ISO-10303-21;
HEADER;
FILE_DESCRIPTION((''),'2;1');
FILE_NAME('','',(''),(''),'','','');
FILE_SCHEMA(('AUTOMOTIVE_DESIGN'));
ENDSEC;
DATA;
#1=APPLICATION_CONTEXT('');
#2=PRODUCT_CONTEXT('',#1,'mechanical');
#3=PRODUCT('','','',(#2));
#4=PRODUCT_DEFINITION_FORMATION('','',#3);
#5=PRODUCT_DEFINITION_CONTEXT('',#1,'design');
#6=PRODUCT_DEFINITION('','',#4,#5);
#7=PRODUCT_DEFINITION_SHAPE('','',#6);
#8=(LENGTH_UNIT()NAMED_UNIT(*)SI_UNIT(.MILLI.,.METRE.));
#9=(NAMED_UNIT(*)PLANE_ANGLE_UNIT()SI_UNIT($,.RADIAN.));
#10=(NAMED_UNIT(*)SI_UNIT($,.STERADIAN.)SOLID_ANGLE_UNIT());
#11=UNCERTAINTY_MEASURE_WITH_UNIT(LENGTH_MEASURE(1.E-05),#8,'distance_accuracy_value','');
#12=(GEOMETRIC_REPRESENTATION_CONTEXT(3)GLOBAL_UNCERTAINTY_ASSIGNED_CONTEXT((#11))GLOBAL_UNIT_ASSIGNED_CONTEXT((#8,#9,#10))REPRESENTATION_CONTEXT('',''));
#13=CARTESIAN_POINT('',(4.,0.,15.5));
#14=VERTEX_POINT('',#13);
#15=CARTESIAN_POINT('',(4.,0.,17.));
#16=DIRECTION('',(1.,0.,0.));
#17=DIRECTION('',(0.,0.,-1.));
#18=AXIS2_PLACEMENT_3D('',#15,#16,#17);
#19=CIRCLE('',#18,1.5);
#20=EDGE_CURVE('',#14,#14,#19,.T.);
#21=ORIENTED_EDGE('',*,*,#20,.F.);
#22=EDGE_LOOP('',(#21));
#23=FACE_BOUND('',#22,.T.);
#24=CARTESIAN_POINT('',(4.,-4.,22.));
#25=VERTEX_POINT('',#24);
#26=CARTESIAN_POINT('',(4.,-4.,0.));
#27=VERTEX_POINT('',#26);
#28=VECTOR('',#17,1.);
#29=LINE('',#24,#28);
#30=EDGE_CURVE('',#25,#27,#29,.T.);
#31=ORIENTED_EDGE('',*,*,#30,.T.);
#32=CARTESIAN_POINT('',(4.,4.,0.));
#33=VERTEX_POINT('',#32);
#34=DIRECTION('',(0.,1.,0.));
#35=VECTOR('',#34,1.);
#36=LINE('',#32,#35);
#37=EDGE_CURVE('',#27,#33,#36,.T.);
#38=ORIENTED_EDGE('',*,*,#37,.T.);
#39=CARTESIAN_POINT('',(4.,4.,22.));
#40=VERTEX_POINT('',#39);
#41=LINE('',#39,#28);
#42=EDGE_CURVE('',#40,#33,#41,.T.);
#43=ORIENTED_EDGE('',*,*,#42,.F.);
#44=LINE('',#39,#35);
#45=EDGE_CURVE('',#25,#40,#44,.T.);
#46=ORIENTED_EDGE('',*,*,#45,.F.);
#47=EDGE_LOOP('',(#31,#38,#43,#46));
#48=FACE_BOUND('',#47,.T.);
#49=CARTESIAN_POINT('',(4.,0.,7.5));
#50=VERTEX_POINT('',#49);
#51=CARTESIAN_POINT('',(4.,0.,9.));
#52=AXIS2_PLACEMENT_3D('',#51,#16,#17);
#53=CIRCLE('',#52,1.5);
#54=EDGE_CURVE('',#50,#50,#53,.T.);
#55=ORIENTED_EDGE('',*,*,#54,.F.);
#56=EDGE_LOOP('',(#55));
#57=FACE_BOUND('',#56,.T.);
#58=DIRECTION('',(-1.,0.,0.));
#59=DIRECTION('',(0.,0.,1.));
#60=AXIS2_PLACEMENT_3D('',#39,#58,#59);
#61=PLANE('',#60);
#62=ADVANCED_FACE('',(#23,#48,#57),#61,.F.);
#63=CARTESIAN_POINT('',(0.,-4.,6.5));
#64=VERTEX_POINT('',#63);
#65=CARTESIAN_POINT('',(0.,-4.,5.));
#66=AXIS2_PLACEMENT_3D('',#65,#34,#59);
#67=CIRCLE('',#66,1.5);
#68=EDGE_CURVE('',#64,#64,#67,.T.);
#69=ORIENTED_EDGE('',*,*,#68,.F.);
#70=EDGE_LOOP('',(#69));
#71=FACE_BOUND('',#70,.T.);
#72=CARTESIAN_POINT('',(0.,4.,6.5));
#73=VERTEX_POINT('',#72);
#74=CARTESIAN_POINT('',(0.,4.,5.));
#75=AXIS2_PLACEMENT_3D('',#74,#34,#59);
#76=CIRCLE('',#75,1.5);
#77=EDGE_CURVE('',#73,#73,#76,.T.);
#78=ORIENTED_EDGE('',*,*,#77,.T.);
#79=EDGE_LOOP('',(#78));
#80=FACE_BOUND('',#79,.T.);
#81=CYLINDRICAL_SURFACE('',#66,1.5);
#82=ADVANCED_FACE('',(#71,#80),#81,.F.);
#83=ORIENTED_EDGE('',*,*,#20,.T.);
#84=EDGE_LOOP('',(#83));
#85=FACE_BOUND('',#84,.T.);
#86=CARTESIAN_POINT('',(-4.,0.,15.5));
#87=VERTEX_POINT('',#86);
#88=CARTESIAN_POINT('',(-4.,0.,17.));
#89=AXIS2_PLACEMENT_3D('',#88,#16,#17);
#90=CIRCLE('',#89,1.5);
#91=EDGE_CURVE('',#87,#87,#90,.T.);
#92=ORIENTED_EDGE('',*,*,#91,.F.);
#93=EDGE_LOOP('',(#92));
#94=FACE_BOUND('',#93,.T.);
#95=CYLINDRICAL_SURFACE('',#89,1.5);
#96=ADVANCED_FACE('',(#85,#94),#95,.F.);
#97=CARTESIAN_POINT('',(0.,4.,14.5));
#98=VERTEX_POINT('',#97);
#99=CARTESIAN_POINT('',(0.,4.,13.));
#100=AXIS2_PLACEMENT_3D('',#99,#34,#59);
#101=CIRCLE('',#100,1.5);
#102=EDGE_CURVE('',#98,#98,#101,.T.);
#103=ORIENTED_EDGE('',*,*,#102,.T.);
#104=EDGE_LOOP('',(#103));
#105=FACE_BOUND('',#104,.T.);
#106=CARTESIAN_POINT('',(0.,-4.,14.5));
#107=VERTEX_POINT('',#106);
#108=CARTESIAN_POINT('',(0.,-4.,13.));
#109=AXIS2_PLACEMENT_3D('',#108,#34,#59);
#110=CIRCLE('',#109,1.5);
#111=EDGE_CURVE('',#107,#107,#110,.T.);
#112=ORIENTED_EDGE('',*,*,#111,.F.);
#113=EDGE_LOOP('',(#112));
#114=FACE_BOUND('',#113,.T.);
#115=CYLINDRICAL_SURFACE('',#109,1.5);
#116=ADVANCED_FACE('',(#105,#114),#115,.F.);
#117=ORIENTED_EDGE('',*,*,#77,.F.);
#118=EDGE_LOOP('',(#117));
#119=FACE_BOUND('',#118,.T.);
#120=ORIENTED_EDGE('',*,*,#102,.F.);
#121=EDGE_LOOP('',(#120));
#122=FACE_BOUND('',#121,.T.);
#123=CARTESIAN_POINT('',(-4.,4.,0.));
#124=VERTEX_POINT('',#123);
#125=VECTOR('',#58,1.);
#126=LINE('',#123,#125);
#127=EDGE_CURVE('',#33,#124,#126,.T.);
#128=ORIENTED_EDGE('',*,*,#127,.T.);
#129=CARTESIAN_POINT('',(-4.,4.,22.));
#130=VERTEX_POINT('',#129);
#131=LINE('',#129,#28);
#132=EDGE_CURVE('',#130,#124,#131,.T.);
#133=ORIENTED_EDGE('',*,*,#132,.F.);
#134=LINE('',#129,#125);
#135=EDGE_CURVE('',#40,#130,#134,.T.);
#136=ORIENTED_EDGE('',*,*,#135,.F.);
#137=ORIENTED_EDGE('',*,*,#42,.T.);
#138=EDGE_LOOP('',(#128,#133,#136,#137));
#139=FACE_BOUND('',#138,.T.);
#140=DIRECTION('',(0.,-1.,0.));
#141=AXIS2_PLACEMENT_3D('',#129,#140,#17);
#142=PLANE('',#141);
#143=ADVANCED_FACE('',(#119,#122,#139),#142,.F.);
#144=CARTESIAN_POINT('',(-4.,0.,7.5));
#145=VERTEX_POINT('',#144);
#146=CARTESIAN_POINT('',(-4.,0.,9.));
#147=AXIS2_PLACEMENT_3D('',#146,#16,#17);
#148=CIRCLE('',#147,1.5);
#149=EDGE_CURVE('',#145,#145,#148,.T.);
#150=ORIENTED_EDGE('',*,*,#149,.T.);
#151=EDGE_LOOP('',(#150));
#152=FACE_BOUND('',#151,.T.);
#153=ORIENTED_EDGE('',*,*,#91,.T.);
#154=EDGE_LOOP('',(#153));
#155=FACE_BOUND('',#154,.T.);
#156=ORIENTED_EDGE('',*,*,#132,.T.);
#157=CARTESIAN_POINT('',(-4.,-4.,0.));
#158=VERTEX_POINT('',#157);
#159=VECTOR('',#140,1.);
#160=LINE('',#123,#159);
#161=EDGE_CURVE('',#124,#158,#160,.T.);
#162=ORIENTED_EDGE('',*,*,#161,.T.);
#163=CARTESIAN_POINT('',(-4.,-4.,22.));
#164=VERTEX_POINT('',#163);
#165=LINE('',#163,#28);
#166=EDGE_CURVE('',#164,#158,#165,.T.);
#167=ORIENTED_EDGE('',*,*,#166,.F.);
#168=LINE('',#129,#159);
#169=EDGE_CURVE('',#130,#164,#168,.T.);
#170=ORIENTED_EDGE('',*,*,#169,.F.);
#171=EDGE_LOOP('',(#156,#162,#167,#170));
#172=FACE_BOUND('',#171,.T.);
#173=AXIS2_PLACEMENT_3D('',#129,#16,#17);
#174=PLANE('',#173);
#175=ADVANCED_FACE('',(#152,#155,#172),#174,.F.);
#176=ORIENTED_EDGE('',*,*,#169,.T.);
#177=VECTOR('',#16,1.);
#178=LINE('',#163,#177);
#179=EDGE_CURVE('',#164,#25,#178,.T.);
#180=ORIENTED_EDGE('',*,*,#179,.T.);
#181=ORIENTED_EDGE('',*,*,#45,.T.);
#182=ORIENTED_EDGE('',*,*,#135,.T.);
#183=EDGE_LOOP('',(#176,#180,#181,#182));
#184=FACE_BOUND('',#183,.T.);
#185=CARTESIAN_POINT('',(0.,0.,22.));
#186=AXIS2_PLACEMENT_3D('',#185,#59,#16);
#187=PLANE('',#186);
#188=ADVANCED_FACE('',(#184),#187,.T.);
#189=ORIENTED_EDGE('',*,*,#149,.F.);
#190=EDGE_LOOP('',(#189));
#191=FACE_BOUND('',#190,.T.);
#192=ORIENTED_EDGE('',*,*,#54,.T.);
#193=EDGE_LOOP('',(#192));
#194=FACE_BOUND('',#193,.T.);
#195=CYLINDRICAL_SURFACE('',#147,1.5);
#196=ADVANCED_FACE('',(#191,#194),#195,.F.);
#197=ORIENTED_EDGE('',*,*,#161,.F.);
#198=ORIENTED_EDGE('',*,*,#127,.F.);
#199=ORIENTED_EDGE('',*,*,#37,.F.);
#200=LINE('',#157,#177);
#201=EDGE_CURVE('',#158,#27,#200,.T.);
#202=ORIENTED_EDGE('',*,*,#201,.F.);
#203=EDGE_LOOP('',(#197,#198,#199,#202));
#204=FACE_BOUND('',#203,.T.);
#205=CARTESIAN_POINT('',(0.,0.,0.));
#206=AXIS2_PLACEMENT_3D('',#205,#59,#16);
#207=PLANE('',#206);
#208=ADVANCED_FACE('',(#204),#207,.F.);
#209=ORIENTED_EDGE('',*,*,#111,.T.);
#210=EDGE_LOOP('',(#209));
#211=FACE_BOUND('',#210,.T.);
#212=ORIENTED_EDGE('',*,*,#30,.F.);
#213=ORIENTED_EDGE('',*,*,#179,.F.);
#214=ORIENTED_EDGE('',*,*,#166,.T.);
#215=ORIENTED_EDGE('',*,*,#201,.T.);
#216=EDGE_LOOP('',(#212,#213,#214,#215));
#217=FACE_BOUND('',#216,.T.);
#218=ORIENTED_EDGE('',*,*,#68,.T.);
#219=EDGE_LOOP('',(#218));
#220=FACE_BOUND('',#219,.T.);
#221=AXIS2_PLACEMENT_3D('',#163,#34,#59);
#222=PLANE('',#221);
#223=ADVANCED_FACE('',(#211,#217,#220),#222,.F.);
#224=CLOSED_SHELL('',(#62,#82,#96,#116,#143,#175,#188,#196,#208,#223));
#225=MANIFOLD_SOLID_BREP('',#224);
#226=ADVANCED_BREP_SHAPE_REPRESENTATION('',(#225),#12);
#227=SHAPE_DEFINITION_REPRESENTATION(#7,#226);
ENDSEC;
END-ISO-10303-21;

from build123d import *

# Parameters (mm, degrees)
SKETCH_1_W          = 8
SKETCH_1_H          = 8
EXTRUDE_1_DEPTH     = 22
SKETCH_2_R          = 1.5
CUT_EXTRUDE_1_DEPTH = 9
SKETCH_3_R          = 1.5
CUT_EXTRUDE_2_DEPTH = 9


with BuildPart() as part:
    # 草图1 → 凸台-拉伸1 (new body)
    with BuildSketch(Plane.XY):
        Rectangle(SKETCH_1_W, SKETCH_1_H)
    extrude(amount=EXTRUDE_1_DEPTH)

    # 草图2 → 切除-拉伸1 (cut, through all)
    with BuildSketch(Plane(origin=(0, 4, 0), x_dir=(1, 0, 0), z_dir=(0, 1, 0))):
        with Locations((0, -5)):
            Circle(SKETCH_2_R)
        with Locations((0, -13)):
            Circle(SKETCH_2_R)
    extrude(amount=-CUT_EXTRUDE_1_DEPTH, mode=Mode.SUBTRACT)

    # 草图3 → 切除-拉伸2 (cut, through all)
    with BuildSketch(Plane(origin=(4, 0, 0), x_dir=(0, 0, -1), z_dir=(1, 0, 0))):
        with Locations((-17, 0)):
            Circle(SKETCH_3_R)
        with Locations((-9, 0)):
            Circle(SKETCH_3_R)
    extrude(amount=-CUT_EXTRUDE_2_DEPTH, mode=Mode.SUBTRACT)


solid = part.part
